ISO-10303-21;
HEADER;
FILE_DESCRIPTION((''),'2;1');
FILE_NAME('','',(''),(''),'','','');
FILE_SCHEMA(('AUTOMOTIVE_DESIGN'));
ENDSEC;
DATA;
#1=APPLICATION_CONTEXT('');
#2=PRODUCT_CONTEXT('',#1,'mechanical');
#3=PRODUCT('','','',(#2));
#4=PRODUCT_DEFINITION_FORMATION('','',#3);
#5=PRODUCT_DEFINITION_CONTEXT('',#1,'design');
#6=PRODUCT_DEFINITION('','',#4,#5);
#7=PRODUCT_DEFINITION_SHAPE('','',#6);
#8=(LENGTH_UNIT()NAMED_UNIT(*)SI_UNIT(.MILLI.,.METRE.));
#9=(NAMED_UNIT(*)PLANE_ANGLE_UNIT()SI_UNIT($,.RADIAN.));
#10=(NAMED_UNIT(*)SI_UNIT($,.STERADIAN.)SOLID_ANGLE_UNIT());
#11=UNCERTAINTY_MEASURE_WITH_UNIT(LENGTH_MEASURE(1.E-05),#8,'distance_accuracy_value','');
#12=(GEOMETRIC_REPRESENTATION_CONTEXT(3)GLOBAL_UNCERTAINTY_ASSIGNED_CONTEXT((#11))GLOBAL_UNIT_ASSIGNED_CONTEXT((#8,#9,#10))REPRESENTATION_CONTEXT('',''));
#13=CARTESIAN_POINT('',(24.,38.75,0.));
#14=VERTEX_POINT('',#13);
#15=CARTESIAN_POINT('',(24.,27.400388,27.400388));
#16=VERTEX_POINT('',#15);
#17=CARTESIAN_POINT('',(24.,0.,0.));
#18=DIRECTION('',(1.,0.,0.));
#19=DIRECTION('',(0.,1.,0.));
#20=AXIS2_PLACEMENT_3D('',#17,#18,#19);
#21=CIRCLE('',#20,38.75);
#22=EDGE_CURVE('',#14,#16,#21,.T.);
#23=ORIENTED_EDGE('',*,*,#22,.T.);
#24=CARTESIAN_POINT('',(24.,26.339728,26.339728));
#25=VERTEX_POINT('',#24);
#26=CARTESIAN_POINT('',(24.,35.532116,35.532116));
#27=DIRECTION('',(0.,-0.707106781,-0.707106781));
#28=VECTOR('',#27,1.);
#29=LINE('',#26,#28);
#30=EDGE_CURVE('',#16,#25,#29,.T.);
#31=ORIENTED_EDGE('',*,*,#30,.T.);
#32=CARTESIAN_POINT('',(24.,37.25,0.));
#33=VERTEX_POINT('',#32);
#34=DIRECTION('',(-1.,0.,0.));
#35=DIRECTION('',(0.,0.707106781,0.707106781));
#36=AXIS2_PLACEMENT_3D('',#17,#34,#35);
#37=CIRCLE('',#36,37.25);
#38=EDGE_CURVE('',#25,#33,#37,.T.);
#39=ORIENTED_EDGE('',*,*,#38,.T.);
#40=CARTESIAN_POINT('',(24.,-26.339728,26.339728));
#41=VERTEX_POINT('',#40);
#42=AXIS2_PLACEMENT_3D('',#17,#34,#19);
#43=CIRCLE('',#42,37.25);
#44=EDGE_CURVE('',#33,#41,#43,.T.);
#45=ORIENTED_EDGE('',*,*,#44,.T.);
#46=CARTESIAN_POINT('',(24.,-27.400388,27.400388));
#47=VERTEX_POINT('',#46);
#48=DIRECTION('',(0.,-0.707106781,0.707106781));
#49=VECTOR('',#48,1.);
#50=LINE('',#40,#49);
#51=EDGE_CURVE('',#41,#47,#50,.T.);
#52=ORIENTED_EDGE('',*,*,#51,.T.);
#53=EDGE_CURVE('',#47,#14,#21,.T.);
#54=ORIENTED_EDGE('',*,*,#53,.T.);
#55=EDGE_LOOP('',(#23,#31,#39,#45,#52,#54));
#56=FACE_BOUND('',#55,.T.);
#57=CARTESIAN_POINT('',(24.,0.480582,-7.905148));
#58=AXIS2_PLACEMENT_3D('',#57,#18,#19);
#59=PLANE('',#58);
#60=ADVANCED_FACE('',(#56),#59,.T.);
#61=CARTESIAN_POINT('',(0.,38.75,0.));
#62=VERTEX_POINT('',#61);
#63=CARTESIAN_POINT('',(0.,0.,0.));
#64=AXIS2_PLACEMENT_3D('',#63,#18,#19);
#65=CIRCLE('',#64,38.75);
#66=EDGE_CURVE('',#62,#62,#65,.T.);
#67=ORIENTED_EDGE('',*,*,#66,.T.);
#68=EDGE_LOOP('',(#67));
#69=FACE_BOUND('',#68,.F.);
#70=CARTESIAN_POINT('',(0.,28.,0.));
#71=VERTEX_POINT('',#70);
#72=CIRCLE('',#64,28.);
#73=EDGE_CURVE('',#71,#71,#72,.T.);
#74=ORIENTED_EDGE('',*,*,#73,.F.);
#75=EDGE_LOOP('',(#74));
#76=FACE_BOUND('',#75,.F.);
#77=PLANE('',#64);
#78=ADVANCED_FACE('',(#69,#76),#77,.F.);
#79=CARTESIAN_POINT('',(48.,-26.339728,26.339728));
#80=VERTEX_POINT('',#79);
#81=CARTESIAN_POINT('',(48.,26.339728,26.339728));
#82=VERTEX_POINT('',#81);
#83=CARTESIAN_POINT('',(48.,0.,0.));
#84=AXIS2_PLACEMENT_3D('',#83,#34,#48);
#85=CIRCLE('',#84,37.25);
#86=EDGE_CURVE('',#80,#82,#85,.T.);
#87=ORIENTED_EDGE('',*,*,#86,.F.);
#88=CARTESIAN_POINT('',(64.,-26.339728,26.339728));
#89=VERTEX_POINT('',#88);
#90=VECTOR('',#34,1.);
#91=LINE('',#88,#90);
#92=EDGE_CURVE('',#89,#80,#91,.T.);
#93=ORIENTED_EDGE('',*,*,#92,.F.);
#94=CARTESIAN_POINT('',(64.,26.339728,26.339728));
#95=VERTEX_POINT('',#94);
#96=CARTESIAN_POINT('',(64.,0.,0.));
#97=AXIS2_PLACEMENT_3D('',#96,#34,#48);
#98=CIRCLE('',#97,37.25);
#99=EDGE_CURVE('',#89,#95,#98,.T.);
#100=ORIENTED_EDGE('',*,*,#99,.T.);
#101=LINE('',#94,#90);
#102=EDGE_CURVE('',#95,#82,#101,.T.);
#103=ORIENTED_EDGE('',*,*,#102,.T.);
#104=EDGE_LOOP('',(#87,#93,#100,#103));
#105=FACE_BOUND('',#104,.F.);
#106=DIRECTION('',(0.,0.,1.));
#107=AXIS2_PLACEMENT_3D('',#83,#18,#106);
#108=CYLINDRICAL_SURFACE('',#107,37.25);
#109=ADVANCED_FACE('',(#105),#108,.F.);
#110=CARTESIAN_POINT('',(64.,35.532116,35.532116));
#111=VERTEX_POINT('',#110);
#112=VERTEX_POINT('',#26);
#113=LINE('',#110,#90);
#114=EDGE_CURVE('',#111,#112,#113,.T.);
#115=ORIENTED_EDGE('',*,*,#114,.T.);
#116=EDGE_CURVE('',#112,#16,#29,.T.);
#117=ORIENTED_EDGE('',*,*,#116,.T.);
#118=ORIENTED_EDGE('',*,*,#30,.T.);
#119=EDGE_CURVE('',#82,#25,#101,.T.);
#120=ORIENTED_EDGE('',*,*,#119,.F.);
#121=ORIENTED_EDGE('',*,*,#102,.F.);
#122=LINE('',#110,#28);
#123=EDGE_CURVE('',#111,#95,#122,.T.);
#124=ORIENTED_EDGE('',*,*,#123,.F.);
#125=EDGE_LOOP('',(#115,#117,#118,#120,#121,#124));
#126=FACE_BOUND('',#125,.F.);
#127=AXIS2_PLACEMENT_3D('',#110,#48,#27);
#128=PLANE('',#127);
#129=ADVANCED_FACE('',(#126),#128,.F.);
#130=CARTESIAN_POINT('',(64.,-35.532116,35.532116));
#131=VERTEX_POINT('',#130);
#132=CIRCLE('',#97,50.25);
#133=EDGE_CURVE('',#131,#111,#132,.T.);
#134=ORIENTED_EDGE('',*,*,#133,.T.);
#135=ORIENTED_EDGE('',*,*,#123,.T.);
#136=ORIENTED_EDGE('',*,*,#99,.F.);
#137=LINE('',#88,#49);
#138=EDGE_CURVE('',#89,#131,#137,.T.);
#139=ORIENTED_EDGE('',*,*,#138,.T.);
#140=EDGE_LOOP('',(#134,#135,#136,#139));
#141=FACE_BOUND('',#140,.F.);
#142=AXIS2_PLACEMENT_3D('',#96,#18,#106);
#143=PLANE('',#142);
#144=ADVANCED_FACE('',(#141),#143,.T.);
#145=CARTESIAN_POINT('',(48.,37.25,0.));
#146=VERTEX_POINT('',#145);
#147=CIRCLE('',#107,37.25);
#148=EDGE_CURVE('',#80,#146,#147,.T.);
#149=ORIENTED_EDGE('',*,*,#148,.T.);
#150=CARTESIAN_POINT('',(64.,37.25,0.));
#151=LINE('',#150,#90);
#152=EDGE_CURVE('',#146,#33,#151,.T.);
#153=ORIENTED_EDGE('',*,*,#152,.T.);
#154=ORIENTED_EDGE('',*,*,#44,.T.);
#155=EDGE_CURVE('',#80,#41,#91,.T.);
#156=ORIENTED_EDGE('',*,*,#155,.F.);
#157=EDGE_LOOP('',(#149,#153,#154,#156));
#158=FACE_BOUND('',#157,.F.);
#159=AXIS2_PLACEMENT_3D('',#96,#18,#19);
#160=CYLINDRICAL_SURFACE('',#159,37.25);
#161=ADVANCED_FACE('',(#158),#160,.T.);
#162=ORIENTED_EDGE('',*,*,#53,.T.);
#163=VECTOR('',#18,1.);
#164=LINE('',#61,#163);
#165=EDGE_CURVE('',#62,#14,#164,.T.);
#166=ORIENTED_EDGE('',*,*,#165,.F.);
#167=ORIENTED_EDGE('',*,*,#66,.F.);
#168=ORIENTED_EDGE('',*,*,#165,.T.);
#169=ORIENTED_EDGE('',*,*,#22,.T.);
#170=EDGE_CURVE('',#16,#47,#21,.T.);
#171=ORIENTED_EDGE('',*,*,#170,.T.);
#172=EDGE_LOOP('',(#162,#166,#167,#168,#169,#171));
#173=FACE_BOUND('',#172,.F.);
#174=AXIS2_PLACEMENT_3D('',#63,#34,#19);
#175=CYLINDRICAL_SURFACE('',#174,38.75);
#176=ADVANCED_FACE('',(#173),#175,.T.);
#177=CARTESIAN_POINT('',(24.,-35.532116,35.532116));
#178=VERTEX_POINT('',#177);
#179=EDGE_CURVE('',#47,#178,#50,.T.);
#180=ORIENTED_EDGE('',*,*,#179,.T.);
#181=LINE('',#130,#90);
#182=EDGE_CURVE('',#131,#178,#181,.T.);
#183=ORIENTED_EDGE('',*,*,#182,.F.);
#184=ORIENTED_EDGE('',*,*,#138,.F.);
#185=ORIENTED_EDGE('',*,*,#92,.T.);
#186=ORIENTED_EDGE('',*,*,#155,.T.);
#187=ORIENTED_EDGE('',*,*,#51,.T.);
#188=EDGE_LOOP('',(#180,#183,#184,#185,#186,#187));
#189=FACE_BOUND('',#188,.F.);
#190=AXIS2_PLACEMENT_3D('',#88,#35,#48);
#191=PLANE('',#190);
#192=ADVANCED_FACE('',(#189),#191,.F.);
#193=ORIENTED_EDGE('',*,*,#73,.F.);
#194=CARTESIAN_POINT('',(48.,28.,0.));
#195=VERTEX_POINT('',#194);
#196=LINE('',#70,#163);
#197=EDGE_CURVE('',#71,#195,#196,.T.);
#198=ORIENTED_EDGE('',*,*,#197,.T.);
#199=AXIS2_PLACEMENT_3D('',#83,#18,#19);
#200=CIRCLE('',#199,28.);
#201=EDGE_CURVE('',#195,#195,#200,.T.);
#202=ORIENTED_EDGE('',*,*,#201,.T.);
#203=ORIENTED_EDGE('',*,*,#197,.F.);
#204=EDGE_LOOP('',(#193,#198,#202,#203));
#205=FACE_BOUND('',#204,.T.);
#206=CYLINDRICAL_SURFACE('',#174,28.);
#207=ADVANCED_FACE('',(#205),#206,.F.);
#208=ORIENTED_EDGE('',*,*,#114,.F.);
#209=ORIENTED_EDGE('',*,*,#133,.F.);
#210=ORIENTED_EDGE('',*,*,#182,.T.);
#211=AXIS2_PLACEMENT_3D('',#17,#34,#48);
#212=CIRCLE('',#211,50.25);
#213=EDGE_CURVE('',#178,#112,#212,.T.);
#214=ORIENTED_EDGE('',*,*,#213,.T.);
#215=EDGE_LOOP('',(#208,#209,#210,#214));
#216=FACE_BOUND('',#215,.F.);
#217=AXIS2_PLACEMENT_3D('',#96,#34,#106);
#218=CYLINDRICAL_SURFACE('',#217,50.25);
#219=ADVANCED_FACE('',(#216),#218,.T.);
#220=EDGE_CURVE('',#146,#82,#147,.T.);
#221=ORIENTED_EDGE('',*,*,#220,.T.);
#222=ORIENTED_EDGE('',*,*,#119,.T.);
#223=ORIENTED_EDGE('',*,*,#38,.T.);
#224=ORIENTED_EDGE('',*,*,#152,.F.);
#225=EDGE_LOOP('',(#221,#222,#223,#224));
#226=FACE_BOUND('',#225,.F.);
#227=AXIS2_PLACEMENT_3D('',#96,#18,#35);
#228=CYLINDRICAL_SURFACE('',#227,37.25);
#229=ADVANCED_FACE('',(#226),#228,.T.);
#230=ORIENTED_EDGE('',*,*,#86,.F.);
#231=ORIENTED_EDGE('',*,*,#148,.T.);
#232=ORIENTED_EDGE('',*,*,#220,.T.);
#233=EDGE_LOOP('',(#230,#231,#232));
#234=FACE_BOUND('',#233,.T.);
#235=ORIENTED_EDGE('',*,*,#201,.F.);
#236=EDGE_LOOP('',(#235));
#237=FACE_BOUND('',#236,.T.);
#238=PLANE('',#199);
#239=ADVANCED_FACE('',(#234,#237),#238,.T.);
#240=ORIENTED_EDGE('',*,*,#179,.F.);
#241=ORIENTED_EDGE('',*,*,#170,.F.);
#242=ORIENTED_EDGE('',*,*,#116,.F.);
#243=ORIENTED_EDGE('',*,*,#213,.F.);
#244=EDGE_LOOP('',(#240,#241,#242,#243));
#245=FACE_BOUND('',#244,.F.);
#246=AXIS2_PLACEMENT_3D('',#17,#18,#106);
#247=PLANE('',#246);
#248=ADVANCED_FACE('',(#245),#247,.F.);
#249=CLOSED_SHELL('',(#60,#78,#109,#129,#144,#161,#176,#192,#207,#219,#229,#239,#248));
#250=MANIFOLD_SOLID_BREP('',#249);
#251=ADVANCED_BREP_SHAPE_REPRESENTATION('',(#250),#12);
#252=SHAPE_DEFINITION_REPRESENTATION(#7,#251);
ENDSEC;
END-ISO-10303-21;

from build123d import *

# Parameters (mm, degrees)
F0_R     = 38.75
F0_R_2   = 28
F1_DEPTH = 48
F5_DEPTH = 40


with BuildPart() as f1:
    # F0 (on Right) → F1 (new body)
    with BuildSketch(Plane.YZ):
        Circle(F0_R)
        Circle(F0_R_2, mode=Mode.SUBTRACT)
    extrude(amount=F1_DEPTH)

    # F2 (on Front) → F3 (revolve)
    with BuildSketch(Plane.XZ):
        Polygon((24, 50.25), (24, 38.75), (48, 38.75), (48, 37.25), (64, 37.25), (64, 50.25), align=None)
    revolve(axis=Axis((48, 0, 0), (1, 0, 0)))

    # F4 (on face) → F5 (cut)
    with BuildSketch(Plane.YZ.offset(64)):
        with BuildLine():
            ThreePointArc((37.25, 0), (-14.2549578556, -34.414512586), (-26.3397275992, 26.3397275992))
            Line((-26.3397275992, 26.3397275992), (-35.5321157546, 35.5321157546))
            ThreePointArc((-35.5321157546, 35.5321157546), (-19.2298424763, -46.4249465087), (50.25, 0))
            ThreePointArc((50.25, 0), (46.4249465087, 19.2298424763), (35.5321157546, 35.5321157546))
            Line((35.5321157546, 35.5321157546), (26.3397275992, 26.3397275992))
            ThreePointArc((26.3397275992, 26.3397275992), (34.414512586, 14.2549578556), (37.25, 0))
        make_face()
    extrude(amount=-F5_DEPTH, mode=Mode.SUBTRACT)


solid = f1.part
